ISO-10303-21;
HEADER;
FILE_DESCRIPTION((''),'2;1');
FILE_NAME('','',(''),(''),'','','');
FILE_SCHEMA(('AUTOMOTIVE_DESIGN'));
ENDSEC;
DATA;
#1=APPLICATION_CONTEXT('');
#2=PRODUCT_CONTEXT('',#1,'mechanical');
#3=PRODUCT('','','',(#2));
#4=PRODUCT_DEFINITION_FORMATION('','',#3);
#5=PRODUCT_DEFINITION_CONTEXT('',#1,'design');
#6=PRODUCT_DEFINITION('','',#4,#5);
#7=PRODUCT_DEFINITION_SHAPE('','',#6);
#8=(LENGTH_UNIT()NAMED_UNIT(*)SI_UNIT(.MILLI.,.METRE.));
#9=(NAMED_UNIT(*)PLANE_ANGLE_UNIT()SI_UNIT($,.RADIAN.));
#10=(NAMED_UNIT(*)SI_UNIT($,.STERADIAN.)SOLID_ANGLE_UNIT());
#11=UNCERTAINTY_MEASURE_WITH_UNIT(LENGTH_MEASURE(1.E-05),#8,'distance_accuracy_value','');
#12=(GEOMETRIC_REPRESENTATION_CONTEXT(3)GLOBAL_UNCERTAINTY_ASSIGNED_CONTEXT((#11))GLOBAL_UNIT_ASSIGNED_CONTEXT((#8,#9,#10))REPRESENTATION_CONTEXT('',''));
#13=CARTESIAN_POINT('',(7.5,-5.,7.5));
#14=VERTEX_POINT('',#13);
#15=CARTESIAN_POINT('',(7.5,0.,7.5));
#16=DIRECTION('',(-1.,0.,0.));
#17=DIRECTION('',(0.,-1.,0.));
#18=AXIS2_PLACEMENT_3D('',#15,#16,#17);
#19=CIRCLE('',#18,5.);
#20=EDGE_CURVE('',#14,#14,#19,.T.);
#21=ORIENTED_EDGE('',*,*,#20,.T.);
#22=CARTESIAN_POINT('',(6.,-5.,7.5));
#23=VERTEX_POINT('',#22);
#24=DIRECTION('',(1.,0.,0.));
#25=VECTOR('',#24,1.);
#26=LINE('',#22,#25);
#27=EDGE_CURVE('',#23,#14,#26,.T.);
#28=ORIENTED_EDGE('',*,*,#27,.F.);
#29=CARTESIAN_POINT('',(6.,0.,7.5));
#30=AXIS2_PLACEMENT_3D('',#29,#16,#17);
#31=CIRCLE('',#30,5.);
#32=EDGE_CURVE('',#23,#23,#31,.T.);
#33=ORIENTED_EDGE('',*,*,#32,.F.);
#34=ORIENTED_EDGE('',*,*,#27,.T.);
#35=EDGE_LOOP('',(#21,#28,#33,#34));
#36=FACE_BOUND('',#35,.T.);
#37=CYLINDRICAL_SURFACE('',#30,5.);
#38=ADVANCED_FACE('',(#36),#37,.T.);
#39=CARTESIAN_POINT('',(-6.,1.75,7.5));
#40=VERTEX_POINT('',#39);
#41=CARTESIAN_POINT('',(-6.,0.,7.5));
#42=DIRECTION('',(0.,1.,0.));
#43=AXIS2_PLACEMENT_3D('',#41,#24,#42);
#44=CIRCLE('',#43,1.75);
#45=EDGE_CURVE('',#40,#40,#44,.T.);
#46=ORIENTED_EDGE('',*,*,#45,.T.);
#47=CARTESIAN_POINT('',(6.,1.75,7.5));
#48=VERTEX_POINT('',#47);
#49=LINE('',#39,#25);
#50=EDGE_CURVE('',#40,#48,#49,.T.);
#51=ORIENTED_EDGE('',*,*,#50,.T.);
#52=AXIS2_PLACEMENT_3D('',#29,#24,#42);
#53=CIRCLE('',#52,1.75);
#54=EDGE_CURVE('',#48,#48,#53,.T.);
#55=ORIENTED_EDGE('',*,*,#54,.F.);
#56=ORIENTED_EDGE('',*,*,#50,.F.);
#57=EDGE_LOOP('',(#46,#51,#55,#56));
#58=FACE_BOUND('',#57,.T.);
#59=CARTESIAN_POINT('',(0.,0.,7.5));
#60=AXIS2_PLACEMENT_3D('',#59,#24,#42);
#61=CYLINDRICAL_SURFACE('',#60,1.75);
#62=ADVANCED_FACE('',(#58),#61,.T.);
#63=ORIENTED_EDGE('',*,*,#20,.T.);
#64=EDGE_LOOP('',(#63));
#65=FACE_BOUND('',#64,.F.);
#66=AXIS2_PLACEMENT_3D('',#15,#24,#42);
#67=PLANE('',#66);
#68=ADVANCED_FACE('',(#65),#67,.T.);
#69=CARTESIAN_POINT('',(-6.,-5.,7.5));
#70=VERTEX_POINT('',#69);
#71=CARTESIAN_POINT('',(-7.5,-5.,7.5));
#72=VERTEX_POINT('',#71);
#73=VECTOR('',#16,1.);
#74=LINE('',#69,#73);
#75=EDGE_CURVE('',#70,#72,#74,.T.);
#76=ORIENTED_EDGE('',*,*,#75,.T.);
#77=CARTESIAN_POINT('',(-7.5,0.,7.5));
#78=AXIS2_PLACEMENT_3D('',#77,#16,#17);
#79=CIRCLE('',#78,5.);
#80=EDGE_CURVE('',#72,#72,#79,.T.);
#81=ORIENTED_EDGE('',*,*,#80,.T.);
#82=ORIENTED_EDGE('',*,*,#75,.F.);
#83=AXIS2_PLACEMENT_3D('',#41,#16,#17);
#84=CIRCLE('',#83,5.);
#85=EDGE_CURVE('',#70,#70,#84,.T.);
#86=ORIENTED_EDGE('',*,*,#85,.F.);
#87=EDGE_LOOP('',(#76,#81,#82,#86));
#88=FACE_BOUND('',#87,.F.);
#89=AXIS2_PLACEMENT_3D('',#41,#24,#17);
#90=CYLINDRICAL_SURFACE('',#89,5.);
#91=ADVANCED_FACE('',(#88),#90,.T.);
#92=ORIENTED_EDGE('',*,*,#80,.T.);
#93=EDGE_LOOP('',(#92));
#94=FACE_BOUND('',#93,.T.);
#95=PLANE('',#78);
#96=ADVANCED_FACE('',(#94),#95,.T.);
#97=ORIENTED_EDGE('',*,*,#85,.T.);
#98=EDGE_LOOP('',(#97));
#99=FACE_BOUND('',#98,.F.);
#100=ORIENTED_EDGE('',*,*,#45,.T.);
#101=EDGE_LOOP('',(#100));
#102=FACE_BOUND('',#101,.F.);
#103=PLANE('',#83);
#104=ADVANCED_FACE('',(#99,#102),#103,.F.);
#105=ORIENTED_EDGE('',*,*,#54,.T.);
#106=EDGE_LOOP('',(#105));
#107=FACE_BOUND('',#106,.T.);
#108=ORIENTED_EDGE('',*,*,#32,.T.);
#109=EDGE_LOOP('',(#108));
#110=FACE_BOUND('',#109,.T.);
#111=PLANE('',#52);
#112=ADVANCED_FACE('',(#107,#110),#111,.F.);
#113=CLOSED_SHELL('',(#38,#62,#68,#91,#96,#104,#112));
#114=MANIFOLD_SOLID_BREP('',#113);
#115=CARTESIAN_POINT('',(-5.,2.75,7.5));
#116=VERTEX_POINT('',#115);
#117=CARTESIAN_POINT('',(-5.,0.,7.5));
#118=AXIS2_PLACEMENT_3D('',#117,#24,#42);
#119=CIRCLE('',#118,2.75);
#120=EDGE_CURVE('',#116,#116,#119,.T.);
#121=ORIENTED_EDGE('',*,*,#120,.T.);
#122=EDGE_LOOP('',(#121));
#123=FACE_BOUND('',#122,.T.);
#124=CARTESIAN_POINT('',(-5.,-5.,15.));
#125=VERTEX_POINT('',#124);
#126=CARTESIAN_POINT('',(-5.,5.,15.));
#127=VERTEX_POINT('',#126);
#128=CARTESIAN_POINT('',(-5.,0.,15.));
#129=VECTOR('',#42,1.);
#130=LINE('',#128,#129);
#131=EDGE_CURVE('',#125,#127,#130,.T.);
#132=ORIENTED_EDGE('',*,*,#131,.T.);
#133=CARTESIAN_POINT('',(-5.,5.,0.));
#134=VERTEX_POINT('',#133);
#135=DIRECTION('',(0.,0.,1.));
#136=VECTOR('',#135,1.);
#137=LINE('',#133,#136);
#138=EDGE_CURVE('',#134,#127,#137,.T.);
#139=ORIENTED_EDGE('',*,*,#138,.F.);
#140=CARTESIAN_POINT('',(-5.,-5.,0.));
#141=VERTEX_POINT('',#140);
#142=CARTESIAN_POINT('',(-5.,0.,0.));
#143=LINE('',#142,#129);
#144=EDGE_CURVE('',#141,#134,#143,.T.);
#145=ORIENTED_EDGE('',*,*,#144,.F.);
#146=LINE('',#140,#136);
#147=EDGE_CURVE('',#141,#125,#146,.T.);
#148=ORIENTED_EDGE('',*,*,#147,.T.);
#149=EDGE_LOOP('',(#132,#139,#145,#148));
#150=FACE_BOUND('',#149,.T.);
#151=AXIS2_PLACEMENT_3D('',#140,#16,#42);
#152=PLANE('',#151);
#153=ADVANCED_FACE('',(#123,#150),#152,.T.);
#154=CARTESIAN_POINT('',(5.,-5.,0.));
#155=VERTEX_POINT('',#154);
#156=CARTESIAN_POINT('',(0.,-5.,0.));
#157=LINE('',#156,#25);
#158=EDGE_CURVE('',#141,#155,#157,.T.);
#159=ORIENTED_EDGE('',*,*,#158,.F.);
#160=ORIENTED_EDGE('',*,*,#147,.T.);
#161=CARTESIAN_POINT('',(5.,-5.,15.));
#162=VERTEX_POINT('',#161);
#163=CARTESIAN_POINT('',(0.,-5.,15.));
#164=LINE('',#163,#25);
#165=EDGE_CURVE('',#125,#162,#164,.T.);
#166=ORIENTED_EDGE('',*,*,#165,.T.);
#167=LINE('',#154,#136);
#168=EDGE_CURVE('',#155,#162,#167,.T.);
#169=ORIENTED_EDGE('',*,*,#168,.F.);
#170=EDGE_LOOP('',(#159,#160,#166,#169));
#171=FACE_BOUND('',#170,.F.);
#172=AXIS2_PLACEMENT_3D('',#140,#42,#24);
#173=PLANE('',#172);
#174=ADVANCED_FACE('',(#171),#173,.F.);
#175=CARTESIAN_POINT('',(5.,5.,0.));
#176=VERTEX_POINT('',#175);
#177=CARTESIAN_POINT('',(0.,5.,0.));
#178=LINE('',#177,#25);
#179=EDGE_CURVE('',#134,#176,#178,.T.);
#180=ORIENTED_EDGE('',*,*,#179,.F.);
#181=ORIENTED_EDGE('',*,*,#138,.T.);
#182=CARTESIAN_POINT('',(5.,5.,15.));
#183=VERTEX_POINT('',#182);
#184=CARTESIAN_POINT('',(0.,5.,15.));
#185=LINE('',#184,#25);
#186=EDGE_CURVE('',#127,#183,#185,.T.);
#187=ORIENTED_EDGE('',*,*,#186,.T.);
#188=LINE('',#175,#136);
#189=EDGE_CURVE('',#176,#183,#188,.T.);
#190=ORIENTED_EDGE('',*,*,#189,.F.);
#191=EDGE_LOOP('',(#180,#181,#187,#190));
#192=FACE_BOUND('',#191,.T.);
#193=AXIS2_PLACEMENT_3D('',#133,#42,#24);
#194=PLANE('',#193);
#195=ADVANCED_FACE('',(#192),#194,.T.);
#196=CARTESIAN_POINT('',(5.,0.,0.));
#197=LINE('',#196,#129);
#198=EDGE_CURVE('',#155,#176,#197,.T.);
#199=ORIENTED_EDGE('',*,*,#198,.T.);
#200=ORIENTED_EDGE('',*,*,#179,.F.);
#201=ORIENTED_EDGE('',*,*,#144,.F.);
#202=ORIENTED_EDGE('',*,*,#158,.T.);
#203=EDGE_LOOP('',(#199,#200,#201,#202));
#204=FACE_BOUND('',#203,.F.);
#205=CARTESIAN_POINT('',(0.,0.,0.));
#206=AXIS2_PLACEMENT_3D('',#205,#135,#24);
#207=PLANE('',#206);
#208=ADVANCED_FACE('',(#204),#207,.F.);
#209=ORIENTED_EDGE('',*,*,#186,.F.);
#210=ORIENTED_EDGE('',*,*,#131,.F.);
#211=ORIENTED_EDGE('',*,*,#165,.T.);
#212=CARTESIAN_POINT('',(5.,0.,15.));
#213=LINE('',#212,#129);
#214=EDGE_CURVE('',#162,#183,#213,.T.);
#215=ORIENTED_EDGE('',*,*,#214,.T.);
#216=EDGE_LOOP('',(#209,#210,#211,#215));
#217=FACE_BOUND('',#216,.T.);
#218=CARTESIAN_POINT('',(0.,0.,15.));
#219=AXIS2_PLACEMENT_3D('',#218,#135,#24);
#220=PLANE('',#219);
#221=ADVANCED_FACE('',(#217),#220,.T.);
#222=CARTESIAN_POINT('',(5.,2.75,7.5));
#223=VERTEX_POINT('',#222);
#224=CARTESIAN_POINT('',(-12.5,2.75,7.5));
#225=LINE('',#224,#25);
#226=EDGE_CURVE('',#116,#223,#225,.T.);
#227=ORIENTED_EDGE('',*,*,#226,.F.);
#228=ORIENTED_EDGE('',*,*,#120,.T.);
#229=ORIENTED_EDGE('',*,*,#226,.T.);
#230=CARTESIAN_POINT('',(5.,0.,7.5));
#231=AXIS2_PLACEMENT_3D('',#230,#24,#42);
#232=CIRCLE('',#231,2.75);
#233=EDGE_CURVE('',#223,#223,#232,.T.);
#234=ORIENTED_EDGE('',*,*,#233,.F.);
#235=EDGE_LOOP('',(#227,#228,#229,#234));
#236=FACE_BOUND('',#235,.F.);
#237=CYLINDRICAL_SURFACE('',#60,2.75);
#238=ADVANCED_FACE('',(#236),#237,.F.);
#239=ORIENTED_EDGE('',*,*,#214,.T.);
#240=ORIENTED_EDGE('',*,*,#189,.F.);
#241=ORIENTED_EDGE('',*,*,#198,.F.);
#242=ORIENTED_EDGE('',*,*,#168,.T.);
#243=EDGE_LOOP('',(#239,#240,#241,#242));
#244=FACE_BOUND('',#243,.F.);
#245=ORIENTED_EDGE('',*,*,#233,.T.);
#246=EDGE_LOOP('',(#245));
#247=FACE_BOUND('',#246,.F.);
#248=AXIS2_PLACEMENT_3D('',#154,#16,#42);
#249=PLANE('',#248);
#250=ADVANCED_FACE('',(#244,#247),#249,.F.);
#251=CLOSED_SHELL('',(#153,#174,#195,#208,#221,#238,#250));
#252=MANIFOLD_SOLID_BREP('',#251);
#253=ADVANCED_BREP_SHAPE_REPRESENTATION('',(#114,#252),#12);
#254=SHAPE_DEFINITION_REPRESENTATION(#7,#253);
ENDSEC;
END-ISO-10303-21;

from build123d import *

# Parameters (mm, degrees)
F0_W     = 10
F0_H     = 10
F1_DEPTH = 15
F3_R     = 2.75
F4_DEPTH = 12.5
F5_R     = 1.75
F6_DEPTH = 6
F7_R     = 5
F7_R_2   = 1.75
F8_DEPTH = 1.5


with BuildPart() as f1:
    # F0 (on Top) → F1 (new body)
    with BuildSketch(Plane.XY):
        Rectangle(F0_W, F0_H)
    extrude(amount=F1_DEPTH)

    # F3 (on offset) → F4 (cut, symmetric)
    with BuildSketch(Plane.YZ):
        with Locations((0, 7.5)):
            Circle(F3_R)
    extrude(amount=F4_DEPTH, both=True, mode=Mode.SUBTRACT)


with BuildPart() as f6:
    # F5 (on Right) → F6 (new body, symmetric)
    with BuildSketch(Plane.YZ):
        with Locations((0, 7.5)):
            Circle(F5_R)
    extrude(amount=F6_DEPTH, both=True)

    # F7 (on face) → F8 (join)
    with BuildSketch(Plane(origin=(-6, 0, 0), x_dir=(0, -1, 0), z_dir=(-1, 0, 0))):
        with Locations((0, 7.5)):
            Circle(F7_R)
        with Locations((0, 7.5)):
            Circle(F7_R_2, mode=Mode.SUBTRACT)
        with Locations((0, 7.5)):
            Circle(F7_R_2)
    extrude(amount=F8_DEPTH)

    # F9: F6 across plane


with BuildPart() as f6_1:
    add(f6.part)
    add(f6.part.mirror(Plane.YZ))


solid = Compound([f1.part, f6_1.part])
